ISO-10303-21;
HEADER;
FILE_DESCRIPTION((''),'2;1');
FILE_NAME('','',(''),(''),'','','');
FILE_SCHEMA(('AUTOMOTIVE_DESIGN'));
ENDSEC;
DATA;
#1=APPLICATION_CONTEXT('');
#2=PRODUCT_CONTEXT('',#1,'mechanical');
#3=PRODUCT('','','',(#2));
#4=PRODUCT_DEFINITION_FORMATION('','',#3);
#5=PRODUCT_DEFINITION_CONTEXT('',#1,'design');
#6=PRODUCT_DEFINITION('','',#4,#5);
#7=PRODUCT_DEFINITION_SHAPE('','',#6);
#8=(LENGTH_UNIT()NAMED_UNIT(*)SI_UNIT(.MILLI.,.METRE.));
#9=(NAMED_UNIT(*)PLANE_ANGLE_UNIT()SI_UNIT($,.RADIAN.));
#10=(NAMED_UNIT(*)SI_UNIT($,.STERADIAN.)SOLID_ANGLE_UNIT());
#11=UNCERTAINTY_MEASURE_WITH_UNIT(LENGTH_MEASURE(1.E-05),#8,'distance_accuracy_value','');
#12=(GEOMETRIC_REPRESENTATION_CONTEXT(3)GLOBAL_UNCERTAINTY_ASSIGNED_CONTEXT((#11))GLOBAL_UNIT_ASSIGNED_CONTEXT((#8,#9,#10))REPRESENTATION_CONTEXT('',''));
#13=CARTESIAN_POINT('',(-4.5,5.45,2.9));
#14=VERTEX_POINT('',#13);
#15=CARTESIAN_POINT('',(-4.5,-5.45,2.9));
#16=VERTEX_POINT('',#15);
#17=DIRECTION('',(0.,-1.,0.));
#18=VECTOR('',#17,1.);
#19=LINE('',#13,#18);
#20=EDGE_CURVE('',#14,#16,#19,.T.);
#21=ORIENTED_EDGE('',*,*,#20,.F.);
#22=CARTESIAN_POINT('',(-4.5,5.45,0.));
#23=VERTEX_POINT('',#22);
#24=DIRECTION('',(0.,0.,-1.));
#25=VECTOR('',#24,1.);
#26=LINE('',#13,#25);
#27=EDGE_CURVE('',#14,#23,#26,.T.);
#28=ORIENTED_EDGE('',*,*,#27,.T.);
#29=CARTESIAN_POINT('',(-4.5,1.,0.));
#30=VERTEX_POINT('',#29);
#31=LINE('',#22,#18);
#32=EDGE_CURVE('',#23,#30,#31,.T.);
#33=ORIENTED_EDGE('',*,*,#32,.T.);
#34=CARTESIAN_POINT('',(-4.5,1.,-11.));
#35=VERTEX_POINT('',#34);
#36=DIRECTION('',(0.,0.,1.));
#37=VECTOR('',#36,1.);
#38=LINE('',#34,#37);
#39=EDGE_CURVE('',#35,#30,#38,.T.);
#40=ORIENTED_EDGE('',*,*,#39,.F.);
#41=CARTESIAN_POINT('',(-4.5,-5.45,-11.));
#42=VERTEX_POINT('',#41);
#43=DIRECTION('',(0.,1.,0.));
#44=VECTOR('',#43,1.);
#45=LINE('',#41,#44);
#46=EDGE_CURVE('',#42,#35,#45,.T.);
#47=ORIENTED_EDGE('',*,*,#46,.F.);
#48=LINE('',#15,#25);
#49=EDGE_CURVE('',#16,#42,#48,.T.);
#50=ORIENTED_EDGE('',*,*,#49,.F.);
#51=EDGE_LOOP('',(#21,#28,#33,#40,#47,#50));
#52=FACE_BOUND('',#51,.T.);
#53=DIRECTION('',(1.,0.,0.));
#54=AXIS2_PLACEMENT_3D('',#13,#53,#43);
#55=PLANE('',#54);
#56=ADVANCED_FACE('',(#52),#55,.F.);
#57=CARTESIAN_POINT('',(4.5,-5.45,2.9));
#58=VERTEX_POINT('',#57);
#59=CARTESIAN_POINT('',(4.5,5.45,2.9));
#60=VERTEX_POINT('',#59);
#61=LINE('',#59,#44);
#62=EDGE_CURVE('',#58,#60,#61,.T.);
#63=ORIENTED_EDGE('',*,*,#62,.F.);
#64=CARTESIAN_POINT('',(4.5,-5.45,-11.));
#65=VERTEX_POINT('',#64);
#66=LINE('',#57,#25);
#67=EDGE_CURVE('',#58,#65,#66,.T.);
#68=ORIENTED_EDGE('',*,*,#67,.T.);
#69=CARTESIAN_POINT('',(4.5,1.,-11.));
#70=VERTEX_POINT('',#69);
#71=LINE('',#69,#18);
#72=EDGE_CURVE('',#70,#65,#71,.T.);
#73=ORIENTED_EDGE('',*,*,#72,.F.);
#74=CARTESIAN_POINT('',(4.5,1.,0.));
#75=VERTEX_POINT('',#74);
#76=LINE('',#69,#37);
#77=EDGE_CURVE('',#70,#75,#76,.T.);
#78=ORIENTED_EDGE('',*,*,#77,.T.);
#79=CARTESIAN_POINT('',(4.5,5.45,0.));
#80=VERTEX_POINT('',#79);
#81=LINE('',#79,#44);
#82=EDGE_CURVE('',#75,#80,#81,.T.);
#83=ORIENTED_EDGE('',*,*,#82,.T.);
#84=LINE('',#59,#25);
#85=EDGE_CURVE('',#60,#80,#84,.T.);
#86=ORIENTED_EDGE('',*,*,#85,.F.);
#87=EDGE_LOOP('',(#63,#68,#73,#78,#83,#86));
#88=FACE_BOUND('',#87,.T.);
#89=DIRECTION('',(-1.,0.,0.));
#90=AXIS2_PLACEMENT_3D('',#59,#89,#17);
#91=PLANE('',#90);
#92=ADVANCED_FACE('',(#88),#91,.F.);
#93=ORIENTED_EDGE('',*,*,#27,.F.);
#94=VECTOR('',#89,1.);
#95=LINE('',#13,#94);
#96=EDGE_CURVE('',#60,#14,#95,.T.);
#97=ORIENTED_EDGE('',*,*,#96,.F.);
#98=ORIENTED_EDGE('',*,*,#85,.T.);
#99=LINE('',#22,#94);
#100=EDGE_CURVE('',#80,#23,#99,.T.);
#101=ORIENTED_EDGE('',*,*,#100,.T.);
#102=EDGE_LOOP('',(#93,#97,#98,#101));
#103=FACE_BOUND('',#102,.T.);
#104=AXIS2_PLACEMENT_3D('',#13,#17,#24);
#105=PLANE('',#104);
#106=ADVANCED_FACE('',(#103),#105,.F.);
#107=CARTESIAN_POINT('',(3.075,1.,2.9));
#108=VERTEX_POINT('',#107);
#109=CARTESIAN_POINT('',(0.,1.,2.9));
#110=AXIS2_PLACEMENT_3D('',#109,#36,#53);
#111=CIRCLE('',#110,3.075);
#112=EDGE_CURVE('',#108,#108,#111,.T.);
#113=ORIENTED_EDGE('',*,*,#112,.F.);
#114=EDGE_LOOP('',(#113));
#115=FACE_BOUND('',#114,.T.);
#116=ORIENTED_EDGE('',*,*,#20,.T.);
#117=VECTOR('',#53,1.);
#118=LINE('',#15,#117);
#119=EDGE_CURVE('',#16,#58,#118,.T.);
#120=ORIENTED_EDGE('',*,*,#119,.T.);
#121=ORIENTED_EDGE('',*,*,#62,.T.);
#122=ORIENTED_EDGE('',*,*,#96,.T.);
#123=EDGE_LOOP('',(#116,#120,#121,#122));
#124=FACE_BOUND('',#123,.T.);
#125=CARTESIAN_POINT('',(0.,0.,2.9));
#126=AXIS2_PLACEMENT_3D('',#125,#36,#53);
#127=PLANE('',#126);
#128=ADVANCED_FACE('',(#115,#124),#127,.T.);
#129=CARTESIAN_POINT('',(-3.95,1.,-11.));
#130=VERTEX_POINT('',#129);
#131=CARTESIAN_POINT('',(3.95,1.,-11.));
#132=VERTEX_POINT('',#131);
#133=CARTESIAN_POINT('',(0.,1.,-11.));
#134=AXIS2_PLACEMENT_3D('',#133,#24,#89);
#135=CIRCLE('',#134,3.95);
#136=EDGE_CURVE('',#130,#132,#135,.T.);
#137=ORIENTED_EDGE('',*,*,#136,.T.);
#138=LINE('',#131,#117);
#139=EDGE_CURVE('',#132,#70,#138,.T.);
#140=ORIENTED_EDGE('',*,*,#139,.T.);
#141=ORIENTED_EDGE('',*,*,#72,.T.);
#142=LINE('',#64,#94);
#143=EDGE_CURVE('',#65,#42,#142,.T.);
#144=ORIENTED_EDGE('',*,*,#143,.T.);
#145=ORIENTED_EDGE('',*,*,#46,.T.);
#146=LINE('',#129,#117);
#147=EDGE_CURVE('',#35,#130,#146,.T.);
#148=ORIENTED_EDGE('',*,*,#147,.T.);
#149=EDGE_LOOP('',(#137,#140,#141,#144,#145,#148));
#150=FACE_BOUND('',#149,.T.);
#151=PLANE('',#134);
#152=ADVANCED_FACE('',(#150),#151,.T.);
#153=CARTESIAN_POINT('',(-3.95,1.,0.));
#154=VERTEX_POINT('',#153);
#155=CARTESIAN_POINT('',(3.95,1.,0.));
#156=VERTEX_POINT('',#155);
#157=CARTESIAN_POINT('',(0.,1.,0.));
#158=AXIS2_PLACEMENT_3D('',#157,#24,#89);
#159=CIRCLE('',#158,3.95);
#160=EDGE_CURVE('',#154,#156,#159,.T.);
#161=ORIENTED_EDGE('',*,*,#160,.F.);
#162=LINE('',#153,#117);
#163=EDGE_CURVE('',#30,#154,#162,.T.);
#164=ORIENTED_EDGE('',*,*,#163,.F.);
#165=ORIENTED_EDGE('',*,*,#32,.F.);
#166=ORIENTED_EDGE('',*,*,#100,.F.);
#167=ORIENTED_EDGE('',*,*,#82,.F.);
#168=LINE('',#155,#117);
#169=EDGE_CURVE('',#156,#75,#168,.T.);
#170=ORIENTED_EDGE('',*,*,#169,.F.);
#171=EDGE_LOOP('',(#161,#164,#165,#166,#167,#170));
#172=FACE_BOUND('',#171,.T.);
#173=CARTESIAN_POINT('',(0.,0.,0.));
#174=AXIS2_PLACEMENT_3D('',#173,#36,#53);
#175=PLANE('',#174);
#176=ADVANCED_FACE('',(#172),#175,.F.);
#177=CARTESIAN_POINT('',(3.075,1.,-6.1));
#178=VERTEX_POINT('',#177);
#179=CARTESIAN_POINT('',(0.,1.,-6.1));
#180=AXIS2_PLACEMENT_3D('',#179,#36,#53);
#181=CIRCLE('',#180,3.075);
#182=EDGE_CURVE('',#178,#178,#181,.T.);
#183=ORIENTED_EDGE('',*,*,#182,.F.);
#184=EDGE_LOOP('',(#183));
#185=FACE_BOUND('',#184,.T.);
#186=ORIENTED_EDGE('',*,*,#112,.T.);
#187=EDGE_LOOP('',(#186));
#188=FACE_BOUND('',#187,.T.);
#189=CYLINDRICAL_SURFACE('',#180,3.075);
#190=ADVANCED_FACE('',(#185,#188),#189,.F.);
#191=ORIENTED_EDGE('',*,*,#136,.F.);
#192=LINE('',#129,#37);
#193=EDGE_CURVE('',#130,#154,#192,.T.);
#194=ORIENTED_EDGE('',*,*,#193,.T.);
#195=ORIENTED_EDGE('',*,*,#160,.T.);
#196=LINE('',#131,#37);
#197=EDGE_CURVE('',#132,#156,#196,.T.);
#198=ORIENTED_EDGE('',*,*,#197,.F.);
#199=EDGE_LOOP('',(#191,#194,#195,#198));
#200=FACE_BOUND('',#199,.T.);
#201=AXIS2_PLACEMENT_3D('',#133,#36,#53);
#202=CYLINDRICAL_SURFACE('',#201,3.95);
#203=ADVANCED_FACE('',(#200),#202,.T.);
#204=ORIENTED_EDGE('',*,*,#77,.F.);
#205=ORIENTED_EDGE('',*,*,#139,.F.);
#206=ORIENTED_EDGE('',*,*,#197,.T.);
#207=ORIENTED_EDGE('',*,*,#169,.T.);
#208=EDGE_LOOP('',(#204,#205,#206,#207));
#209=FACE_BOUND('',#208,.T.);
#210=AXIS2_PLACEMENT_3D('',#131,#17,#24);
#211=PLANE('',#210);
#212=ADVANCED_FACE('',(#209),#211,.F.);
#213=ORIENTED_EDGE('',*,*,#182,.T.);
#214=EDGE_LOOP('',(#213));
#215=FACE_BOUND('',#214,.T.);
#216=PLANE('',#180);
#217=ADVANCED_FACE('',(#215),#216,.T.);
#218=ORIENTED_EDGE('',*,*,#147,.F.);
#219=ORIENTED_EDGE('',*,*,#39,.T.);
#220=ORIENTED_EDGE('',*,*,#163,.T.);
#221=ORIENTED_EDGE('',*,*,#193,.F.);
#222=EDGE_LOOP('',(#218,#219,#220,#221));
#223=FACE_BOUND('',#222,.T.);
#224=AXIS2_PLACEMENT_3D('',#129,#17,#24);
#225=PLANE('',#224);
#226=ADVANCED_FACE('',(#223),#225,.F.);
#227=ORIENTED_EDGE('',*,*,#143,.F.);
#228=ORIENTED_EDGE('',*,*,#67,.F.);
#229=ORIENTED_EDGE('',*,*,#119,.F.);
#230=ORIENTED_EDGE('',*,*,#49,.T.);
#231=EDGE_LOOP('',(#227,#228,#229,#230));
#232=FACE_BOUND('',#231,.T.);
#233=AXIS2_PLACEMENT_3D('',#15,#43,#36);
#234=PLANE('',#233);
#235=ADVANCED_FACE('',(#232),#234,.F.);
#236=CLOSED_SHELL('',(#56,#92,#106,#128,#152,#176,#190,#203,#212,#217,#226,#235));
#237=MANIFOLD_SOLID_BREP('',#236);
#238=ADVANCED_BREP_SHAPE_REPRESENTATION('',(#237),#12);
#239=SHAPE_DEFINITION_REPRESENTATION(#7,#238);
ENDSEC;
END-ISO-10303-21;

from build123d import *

# Parameters (mm, degrees)
SKETCH1_W           = 9
SKETCH1_H           = 10.9
BOSS_EXTRUDE1_DEPTH = 2.9
BOSS_EXTRUDE2_DEPTH = 11
SKETCH3_R           = 3.075
CUT_EXTRUDE1_DEPTH  = 9


with BuildPart() as part:
    # Sketch1 → Boss-Extrude1 (new body)
    with BuildSketch(Plane.XY):
        Rectangle(SKETCH1_W, SKETCH1_H)
    extrude(amount=BOSS_EXTRUDE1_DEPTH)

    # Sketch2 → Boss-Extrude2 (add)
    with BuildSketch(Plane(origin=(0, 0, 0), x_dir=(-1, 0, 0), z_dir=(0, 0, -1))):
        with BuildLine():
            Line((-3.95, 1), (-4.5, 1))
            Line((-4.5, 1), (-4.5, -5.45))
            Line((-4.5, -5.45), (4.5, -5.45))
            Line((4.5, -5.45), (4.5, 1))
            Line((4.5, 1), (3.95, 1))
            ThreePointArc((3.95, 1), (0, 4.95), (-3.95, 1))
        make_face()
    extrude(amount=BOSS_EXTRUDE2_DEPTH)

    # Sketch3 → Cut-Extrude1 (cut)
    with BuildSketch(Plane.XY.offset(2.9)):
        with Locations((0, 1)):
            Circle(SKETCH3_R)
    extrude(amount=-CUT_EXTRUDE1_DEPTH, mode=Mode.SUBTRACT)


solid = part.part
